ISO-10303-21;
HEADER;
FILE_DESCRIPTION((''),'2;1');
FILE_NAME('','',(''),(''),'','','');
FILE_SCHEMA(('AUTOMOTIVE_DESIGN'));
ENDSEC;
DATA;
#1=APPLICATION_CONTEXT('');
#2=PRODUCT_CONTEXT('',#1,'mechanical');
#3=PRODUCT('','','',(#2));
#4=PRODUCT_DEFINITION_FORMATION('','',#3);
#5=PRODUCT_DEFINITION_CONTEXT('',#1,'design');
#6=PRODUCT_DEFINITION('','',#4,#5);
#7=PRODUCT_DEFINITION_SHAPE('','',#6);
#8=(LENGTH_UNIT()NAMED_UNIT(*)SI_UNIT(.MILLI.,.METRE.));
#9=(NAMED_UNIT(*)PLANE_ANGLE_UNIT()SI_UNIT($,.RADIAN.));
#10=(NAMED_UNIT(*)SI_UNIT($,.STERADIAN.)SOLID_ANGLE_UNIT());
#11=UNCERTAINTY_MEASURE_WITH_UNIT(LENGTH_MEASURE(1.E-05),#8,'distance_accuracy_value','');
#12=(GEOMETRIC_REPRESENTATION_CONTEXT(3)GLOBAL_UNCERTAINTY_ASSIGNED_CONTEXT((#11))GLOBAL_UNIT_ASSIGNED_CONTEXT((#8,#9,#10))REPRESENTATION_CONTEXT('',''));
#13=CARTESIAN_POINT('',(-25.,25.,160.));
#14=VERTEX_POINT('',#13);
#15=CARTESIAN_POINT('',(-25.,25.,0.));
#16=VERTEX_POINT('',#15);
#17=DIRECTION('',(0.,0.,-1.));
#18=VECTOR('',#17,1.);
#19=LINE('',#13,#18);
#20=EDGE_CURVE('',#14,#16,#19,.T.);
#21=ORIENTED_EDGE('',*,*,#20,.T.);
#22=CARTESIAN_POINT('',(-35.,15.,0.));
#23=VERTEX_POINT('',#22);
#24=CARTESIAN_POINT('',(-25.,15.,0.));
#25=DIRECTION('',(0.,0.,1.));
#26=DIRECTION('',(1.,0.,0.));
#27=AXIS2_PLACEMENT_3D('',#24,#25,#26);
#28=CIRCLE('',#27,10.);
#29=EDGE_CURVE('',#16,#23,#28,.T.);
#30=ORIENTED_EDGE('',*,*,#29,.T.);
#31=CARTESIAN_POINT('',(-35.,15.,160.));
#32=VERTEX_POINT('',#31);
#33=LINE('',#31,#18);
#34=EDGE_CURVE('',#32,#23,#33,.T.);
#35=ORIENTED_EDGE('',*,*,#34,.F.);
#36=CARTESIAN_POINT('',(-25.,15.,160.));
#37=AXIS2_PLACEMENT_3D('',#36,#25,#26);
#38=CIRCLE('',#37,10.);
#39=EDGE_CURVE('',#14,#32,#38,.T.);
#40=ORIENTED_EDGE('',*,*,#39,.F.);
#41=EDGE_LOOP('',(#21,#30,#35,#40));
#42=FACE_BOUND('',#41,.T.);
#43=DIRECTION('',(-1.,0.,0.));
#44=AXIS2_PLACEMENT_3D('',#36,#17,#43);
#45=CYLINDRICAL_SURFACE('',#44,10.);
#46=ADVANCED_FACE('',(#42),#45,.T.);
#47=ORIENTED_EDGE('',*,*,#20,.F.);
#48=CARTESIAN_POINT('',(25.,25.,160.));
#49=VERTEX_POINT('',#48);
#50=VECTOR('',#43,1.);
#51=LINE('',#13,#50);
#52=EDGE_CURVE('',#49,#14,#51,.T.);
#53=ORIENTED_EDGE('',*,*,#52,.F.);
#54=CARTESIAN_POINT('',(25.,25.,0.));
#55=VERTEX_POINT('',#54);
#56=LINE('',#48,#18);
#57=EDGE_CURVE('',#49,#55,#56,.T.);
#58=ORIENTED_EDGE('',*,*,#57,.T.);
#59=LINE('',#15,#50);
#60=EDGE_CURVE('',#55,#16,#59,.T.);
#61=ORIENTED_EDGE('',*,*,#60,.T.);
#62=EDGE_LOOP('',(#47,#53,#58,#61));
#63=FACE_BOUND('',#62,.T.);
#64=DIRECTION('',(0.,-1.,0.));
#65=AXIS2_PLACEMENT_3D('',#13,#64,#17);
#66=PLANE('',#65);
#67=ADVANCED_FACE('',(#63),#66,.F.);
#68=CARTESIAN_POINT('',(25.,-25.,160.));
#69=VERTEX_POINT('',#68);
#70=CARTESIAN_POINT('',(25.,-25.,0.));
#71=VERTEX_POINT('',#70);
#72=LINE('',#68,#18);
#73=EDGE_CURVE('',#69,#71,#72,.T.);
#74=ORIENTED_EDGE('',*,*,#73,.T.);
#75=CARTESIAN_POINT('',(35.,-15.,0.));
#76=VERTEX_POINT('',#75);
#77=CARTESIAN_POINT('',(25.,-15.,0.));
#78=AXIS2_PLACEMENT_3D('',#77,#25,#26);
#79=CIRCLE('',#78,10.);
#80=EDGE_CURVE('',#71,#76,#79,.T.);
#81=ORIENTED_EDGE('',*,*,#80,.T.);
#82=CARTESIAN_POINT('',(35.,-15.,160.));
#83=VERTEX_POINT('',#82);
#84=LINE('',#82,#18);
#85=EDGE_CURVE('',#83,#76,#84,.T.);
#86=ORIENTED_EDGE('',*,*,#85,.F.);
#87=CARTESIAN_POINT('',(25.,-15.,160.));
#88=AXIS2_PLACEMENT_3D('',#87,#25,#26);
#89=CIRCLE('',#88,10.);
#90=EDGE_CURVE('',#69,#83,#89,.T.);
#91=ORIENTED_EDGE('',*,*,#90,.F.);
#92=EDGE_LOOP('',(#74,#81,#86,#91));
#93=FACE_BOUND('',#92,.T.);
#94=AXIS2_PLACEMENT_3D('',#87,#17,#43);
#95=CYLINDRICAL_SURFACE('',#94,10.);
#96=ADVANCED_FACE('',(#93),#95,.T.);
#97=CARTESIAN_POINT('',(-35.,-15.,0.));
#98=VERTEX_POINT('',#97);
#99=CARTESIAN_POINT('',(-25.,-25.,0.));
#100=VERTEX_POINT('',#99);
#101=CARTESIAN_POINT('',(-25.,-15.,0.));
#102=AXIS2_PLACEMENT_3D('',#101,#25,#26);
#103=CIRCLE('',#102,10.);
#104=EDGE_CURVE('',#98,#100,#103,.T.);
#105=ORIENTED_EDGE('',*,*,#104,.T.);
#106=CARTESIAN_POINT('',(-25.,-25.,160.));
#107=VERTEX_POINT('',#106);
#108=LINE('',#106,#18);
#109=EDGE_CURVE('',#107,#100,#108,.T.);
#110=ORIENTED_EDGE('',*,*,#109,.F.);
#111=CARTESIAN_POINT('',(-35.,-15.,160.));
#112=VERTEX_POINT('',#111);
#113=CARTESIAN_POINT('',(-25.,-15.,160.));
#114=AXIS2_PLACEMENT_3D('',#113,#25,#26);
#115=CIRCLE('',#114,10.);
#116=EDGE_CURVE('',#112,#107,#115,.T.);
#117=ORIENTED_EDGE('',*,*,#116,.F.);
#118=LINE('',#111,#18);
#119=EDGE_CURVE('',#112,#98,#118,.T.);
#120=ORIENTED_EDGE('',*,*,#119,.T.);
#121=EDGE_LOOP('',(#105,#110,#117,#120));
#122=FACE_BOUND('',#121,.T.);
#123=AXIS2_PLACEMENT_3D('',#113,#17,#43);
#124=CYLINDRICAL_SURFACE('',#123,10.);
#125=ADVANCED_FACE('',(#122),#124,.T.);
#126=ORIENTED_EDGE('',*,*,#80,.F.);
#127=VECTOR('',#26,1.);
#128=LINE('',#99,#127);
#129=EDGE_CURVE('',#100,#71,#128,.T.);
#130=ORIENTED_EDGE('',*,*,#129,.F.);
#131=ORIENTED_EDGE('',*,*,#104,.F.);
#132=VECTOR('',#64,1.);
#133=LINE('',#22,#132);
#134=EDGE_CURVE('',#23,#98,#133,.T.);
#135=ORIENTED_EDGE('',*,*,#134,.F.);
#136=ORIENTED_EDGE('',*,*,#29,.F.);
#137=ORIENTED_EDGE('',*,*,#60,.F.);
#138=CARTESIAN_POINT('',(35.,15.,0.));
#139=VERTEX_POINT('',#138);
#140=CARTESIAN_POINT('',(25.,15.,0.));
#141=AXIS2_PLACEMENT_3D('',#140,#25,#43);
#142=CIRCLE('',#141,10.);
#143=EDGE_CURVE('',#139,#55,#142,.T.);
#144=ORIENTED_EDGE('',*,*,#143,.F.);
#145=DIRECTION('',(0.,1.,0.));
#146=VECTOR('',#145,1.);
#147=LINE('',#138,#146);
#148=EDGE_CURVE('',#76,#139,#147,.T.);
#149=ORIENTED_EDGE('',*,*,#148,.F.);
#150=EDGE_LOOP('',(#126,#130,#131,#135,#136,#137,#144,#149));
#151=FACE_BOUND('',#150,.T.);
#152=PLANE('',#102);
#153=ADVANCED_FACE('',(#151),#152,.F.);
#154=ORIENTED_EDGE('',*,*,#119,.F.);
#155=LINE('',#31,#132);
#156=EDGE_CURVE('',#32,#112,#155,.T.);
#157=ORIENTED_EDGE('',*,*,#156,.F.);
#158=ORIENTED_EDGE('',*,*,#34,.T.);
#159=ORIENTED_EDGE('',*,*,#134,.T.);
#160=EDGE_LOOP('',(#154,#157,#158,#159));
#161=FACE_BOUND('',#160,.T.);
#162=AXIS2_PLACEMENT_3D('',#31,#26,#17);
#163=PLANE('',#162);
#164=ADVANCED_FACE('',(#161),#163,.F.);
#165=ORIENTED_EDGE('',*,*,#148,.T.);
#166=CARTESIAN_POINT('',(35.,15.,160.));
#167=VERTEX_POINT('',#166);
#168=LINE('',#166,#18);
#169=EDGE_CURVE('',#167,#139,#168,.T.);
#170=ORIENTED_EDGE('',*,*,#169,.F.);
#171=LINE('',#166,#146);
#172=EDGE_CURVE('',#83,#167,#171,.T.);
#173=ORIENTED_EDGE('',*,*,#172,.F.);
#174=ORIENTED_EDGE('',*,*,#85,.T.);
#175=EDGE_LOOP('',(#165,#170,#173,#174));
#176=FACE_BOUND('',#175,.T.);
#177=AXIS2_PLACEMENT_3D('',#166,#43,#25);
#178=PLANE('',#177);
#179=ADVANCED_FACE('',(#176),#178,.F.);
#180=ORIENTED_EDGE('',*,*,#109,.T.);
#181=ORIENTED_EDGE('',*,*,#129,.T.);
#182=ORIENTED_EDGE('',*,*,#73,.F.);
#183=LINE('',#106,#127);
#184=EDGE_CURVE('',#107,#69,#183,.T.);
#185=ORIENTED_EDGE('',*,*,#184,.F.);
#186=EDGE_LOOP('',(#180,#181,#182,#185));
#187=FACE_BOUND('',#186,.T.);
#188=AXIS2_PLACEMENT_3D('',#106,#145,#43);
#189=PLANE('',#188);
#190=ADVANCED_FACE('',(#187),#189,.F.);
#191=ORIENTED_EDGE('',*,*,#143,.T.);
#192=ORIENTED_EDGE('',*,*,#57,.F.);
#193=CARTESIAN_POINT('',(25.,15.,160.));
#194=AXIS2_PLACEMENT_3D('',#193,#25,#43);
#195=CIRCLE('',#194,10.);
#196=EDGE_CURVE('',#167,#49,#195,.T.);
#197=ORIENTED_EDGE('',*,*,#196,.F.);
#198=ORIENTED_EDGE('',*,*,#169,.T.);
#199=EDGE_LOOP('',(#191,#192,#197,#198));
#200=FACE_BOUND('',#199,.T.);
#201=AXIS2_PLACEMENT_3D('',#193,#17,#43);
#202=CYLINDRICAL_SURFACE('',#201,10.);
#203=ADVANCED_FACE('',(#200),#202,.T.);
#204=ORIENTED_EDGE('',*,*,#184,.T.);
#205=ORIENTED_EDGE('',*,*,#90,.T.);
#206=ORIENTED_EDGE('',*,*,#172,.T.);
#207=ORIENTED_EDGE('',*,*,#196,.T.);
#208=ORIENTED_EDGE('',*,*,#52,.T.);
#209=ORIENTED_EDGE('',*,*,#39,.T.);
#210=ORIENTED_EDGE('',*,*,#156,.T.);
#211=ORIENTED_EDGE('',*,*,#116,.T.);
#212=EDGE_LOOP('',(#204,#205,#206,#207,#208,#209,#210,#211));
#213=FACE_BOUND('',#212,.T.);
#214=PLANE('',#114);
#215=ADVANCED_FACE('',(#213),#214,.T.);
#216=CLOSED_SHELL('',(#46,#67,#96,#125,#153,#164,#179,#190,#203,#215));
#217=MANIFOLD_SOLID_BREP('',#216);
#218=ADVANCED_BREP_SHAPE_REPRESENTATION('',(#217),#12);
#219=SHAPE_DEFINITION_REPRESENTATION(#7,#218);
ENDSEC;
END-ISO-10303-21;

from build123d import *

# Parameters (mm, degrees)
BOSS_EXTRUDE1_DEPTH = 160


with BuildPart() as part:
    # Sketch1 → Boss-Extrude1 (new body)
    with BuildSketch(Plane.XY):
        with BuildLine():
            Line((-25, 25), (25, 25))
            ThreePointArc((25, 25), (32.071067812, 22.071067812), (35, 15))
            Line((35, 15), (35, -15))
            ThreePointArc((35, -15), (32.071067812, -22.071067812), (25, -25))
            Line((25, -25), (-25, -25))
            ThreePointArc((-25, -25), (-32.071067812, -22.071067812), (-35, -15))
            Line((-35, -15), (-35, 15))
            ThreePointArc((-35, 15), (-32.071067812, 22.071067812), (-25, 25))
        make_face()
    extrude(amount=BOSS_EXTRUDE1_DEPTH)


solid = part.part
